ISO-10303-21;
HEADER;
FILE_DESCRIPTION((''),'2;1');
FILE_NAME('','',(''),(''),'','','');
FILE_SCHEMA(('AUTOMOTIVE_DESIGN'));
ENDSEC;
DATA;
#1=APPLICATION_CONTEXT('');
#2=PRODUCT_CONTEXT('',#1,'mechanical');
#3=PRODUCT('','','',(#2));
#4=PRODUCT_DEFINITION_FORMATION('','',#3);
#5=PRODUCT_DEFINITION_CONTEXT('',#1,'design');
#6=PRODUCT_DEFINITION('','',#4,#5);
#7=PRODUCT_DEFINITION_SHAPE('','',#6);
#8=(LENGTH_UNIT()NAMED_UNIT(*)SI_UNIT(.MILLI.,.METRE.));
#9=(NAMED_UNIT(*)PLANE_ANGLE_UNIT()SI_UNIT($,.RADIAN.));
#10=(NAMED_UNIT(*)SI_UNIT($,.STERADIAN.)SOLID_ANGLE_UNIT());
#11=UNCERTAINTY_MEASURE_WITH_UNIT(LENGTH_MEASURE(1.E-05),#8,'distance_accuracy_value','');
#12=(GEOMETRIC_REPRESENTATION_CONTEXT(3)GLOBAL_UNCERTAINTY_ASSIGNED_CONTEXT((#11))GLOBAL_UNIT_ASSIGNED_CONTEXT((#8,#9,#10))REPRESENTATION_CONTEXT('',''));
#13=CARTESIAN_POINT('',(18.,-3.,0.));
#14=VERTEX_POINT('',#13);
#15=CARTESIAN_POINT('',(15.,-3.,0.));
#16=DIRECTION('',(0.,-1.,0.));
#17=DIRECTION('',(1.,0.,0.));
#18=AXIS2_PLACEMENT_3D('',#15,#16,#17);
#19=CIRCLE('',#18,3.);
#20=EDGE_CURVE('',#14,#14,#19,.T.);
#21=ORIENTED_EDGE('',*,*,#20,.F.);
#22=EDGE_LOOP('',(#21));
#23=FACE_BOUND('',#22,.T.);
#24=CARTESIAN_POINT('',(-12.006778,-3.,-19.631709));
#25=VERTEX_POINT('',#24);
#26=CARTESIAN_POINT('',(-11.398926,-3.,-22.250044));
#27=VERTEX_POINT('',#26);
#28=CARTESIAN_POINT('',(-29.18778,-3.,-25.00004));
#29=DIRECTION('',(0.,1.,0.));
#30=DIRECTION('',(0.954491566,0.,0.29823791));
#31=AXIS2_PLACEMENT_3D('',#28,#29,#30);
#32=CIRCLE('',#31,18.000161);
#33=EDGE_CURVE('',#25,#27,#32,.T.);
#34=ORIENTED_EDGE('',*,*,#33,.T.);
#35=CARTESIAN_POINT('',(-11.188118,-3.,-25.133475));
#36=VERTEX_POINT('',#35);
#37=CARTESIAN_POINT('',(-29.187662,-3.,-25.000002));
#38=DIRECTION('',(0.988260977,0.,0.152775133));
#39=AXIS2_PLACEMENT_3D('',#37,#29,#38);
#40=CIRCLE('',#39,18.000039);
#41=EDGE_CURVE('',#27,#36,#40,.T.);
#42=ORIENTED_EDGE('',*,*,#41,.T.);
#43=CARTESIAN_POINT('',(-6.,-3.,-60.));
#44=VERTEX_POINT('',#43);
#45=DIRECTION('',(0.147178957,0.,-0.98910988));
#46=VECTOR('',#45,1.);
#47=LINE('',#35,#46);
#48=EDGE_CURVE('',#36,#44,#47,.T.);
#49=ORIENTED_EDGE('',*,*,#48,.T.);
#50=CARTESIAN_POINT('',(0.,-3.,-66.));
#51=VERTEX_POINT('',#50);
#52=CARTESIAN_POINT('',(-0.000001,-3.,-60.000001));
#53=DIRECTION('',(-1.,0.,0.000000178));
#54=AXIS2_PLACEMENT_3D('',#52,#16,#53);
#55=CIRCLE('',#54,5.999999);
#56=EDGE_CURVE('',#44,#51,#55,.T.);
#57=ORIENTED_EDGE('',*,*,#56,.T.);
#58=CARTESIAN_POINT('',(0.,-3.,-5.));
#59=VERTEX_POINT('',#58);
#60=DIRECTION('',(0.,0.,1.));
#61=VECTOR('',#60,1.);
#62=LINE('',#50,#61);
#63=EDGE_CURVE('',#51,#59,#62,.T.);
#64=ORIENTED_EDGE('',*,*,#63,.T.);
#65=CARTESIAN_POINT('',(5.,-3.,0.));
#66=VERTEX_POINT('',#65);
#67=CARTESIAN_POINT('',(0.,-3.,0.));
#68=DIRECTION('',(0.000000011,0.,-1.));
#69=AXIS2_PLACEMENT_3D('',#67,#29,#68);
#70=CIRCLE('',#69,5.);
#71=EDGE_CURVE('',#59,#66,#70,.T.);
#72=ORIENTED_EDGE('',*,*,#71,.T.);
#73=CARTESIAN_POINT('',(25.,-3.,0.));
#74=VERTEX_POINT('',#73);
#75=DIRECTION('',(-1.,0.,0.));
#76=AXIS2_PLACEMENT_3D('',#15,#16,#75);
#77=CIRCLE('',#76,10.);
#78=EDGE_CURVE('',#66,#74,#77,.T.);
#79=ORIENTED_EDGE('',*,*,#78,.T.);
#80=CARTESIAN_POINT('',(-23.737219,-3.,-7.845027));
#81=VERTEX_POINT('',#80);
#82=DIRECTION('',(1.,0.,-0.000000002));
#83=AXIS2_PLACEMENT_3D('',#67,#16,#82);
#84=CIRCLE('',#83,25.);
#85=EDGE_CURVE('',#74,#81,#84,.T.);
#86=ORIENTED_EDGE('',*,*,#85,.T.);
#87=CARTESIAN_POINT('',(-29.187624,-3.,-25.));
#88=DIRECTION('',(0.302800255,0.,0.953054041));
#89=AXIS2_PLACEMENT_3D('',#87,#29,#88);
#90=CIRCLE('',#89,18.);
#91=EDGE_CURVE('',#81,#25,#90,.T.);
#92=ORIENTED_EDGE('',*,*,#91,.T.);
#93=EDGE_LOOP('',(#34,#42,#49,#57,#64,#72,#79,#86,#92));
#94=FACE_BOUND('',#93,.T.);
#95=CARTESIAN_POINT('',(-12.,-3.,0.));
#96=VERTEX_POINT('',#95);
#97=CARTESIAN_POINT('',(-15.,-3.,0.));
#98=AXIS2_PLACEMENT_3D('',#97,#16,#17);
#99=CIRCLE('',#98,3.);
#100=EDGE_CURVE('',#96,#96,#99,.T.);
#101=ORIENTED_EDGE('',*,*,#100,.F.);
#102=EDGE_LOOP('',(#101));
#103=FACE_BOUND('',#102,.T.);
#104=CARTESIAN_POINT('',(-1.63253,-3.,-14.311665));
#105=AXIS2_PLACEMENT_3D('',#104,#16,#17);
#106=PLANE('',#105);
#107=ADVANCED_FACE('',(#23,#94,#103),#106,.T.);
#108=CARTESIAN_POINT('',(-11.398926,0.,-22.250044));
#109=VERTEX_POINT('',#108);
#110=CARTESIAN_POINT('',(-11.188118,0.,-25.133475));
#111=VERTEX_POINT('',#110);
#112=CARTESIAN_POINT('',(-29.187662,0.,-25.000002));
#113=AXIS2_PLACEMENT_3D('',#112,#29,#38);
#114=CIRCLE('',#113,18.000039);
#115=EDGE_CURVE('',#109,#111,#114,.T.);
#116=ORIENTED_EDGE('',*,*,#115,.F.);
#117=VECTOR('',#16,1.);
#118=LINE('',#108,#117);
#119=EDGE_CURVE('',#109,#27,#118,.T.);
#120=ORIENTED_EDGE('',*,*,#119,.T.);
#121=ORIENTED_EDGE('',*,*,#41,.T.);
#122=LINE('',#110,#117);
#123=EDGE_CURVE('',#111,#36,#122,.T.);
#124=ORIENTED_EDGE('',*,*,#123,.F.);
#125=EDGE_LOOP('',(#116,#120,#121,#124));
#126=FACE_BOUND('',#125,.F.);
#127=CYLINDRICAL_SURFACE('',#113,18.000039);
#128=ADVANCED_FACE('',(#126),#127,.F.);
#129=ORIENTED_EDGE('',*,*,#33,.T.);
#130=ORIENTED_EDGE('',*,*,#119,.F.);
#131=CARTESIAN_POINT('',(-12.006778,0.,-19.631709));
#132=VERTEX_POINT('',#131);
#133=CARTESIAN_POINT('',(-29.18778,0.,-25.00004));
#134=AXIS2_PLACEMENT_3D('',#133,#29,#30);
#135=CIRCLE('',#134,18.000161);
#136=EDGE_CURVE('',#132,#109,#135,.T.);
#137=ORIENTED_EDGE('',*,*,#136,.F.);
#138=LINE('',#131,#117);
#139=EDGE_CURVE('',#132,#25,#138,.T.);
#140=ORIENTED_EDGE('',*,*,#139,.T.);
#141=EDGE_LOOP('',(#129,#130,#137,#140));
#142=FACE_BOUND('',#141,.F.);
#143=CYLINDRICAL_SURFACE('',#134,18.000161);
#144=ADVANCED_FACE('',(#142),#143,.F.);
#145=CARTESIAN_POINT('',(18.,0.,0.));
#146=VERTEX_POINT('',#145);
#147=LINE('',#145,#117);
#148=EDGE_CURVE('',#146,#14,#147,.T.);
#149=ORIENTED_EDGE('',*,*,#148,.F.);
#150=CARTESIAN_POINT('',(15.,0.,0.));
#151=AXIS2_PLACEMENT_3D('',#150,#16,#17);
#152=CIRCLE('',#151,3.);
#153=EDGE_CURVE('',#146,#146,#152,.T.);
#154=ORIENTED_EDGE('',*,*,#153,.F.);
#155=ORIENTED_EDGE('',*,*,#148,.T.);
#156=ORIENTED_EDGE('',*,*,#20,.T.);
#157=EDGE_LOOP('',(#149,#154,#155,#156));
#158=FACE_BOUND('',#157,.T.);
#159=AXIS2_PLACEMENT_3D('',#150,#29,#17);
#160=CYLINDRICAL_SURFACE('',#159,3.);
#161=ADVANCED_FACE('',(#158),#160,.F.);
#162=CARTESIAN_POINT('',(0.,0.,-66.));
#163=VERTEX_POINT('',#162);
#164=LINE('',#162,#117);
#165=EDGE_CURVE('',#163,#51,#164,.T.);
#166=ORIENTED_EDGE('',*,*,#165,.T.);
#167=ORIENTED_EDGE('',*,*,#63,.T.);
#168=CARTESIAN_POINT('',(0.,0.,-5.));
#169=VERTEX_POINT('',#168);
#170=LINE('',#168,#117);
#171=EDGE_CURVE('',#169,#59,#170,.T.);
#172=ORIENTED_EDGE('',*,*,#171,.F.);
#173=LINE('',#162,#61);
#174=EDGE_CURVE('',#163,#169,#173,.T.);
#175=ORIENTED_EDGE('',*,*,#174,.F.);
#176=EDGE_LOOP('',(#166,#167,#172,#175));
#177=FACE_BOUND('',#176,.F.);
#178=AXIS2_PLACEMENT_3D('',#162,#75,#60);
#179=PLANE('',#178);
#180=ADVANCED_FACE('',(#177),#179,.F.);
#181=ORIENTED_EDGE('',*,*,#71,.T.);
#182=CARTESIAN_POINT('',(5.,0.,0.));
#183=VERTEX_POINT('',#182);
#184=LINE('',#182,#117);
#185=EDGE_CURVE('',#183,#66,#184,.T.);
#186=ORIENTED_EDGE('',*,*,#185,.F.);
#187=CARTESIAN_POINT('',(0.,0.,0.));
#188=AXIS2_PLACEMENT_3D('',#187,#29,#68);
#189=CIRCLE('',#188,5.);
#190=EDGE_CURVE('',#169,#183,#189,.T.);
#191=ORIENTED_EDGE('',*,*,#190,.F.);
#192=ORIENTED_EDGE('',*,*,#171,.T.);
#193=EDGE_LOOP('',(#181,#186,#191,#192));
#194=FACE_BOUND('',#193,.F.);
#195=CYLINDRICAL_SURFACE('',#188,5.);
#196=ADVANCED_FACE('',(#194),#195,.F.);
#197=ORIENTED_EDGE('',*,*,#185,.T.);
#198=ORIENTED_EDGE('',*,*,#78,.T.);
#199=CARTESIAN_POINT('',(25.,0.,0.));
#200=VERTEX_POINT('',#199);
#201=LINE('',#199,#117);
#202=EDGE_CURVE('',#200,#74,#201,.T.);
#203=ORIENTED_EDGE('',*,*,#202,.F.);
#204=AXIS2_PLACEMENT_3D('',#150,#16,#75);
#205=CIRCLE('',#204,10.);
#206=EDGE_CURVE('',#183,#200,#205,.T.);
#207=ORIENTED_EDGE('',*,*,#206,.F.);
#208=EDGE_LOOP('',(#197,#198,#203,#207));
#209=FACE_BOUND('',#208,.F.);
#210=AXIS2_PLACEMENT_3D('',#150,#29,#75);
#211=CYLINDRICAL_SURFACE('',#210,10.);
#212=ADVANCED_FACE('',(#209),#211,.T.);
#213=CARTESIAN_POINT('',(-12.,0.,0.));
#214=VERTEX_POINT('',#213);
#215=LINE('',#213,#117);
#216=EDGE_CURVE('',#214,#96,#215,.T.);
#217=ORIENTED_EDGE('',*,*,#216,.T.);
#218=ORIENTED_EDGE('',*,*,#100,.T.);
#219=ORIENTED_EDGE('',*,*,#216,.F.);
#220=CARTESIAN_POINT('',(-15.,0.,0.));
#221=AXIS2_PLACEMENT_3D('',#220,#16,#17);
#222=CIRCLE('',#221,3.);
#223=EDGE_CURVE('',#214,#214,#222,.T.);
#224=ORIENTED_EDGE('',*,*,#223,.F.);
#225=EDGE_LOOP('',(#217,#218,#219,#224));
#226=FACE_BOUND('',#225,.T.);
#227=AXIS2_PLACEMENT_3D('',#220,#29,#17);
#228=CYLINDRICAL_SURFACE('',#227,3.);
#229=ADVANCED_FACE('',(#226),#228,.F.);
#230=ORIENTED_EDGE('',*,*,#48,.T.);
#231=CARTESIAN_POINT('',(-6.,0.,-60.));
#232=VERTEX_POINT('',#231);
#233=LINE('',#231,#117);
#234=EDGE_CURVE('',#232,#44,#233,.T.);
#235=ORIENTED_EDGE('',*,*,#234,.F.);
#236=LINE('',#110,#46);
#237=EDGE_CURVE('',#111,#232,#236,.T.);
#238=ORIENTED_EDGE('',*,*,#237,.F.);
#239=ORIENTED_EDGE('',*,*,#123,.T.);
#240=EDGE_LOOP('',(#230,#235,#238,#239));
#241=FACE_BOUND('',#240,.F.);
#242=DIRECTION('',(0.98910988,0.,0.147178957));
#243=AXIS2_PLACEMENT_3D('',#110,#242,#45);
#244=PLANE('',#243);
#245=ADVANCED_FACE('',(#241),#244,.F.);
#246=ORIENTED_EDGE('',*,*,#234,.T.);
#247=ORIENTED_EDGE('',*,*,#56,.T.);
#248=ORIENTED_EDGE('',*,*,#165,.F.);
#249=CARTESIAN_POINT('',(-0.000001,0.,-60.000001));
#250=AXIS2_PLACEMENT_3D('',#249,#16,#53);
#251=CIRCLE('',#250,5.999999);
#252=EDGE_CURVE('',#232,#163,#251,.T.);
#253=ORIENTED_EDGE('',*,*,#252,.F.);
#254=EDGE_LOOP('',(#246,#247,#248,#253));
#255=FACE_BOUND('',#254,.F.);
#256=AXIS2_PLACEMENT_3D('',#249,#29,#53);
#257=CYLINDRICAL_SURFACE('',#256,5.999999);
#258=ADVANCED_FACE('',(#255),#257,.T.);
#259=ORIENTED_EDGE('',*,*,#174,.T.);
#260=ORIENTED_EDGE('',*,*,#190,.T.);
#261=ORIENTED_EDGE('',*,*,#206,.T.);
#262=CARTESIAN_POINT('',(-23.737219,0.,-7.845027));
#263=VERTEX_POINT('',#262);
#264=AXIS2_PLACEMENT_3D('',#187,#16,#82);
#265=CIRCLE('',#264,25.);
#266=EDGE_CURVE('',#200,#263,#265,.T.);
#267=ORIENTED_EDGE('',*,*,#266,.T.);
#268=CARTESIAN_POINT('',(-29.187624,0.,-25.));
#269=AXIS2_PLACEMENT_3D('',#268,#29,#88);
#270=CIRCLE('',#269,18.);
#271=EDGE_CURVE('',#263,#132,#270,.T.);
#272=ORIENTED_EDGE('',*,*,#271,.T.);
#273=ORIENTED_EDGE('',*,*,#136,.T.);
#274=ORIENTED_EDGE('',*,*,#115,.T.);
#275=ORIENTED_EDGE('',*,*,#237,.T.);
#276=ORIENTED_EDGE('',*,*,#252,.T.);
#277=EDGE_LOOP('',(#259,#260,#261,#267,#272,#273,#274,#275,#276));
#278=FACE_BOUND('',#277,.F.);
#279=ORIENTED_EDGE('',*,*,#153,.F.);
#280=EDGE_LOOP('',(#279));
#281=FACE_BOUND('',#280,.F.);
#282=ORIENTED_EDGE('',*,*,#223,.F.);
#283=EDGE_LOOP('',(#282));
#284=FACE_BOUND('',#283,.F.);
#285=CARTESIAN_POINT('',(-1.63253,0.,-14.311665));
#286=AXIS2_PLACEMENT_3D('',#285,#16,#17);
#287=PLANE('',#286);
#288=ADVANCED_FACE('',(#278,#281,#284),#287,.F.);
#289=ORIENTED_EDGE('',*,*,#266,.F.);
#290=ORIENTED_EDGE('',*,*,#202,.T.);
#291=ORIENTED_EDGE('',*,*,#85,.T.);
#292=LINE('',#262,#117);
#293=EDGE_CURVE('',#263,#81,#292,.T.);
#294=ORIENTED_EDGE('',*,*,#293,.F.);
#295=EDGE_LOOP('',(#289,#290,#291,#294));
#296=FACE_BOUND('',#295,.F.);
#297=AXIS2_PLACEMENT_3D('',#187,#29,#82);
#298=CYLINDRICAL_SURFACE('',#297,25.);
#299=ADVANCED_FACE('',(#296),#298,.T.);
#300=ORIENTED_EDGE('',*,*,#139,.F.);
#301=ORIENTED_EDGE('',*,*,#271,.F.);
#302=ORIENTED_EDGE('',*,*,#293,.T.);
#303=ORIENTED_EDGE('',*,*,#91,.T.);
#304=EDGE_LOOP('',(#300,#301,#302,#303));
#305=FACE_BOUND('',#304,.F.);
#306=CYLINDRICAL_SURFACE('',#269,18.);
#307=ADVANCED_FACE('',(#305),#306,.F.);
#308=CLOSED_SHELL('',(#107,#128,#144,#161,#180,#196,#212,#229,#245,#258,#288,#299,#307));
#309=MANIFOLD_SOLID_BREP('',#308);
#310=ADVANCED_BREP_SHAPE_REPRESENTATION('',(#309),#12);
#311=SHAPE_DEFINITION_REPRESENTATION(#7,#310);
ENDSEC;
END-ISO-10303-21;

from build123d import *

# Parameters (mm, degrees)
F0_R     = 3
F1_DEPTH = 3


with BuildPart() as f1:
    # F0 (on Front) → F1 (new body)
    with BuildSketch(Plane.XZ):
        with BuildLine():
            ThreePointArc((5, 0), (15, -10), (25, 0))
            ThreePointArc((25, 0), (-3.973005, 24.682286), (-23.737219, -7.845027))
            ThreePointArc((-23.737219, -7.845027), (-16.429299, -12.302553), (-12.006778, -19.631709))
            ThreePointArc((-12.006778, -19.631709), (-11.653909, -20.929515), (-11.398926, -22.250044))
            ThreePointArc((-11.398926, -22.250044), (-11.235537, -23.687521), (-11.188118, -25.133475))
            Line((-11.188118, -25.133475), (-6, -60))
            ThreePointArc((-6, -60), (-4.242641, -64.242641), (0, -66))
            Line((0, -66), (0, -60))
            Line((0, -60), (0, -5))
            ThreePointArc((0, -5), (-3.535534, 3.535534), (5, 0))
        make_face()
        with Locations((-15, 0)):
            Circle(F0_R, mode=Mode.SUBTRACT)
        with Locations((15, 0)):
            Circle(F0_R, mode=Mode.SUBTRACT)
    extrude(amount=F1_DEPTH)


solid = f1.part
